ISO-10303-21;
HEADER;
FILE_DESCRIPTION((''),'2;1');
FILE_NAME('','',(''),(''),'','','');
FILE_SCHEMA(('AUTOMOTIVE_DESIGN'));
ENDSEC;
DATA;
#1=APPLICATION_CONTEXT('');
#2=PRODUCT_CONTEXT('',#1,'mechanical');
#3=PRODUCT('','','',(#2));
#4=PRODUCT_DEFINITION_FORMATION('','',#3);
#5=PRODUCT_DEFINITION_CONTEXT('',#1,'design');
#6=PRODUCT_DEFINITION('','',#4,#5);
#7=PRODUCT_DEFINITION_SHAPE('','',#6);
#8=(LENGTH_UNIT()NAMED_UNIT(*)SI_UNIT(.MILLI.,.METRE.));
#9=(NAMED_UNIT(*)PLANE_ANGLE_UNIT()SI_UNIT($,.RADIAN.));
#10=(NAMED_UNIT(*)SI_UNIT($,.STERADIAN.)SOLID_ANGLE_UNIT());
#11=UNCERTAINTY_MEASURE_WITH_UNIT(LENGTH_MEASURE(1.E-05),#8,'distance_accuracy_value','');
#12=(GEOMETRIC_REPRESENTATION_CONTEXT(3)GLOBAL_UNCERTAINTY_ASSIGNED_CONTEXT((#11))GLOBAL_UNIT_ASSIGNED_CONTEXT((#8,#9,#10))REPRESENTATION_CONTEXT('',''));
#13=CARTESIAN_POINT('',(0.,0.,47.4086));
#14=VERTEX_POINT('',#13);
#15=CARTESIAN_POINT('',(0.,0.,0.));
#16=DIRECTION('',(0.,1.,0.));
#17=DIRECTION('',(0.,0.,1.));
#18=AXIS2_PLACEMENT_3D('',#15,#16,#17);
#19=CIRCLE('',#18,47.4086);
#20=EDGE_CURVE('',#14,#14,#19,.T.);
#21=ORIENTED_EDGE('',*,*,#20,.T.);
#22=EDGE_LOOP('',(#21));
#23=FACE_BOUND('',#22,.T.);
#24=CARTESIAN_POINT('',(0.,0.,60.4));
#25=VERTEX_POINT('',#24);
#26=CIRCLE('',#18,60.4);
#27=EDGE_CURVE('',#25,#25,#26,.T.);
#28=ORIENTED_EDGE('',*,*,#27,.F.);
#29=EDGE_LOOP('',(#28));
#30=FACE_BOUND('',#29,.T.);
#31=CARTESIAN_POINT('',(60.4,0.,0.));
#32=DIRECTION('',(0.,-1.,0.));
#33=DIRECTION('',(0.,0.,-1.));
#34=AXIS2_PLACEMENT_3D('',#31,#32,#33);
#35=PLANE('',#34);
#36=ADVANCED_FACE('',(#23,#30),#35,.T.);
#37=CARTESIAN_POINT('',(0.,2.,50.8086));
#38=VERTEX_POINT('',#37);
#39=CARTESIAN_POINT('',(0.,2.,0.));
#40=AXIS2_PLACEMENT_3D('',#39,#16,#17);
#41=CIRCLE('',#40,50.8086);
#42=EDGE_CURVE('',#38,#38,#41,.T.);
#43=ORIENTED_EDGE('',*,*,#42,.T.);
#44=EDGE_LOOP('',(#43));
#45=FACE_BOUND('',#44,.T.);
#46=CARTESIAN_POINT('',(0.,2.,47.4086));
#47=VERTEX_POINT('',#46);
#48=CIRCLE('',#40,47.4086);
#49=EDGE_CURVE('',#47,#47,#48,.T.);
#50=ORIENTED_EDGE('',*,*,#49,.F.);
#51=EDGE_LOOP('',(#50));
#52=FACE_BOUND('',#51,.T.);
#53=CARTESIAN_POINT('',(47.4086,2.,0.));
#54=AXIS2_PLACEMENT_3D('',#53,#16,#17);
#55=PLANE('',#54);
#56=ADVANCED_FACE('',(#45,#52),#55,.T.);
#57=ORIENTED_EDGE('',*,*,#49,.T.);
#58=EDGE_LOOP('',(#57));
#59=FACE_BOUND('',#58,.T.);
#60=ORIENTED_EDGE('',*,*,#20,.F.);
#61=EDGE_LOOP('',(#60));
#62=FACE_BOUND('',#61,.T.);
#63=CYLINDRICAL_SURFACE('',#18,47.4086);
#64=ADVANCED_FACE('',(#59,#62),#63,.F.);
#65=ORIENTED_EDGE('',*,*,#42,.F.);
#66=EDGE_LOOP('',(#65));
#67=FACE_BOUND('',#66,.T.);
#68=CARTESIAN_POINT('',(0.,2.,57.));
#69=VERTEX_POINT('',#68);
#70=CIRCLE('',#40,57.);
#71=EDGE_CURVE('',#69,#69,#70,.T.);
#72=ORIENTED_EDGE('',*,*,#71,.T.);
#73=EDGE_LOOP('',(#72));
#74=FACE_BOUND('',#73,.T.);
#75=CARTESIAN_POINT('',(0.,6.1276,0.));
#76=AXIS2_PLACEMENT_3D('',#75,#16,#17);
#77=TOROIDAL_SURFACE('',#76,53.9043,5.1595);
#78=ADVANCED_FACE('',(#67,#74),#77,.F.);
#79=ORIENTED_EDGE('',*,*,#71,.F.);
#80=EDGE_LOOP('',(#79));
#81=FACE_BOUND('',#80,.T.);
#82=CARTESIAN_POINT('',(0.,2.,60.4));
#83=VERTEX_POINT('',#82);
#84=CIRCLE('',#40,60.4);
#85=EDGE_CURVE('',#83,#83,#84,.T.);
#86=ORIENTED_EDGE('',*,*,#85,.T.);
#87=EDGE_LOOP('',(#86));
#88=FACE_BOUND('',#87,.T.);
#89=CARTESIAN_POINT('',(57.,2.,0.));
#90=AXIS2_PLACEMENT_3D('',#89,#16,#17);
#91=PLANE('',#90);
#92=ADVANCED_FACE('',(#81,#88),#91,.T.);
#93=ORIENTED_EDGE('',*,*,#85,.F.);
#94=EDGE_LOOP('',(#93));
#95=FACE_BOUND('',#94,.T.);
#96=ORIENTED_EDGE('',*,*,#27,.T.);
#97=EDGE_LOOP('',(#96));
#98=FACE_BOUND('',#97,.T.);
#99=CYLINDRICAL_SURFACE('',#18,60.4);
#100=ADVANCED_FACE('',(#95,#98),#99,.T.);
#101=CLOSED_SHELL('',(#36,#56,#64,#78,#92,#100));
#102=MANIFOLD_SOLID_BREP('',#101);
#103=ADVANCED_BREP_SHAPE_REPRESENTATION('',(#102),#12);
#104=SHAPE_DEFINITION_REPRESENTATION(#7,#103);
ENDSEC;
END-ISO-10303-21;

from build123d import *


with BuildPart() as part:
    # Sketch1 → Revolve1 (revolve)
    with BuildSketch(Plane(origin=(0, 0, 0), x_dir=(-1, 0, 0), z_dir=(0, 0, -1)), mode=Mode.PRIVATE) as revolve1_sk:
        with BuildLine():
            Line((-60.4, 0), (-47.4086, 0))
            Line((-47.4086, 0), (-47.4086, 2))
            Line((-47.4086, 2), (-50.8086, 2))
            ThreePointArc((-50.8086, 2), (-53.9043, 0.9681), (-57, 2))
            Line((-57, 2), (-60.4, 2))
            Line((-60.4, 2), (-60.4, 0))
        make_face()
    revolve(revolve1_sk.sketch.rotate(Axis((0, 0, 0), (0, 1, 0)), 270), axis=Axis((0, 0, 0), (0, 1, 0)))


solid = part.part
